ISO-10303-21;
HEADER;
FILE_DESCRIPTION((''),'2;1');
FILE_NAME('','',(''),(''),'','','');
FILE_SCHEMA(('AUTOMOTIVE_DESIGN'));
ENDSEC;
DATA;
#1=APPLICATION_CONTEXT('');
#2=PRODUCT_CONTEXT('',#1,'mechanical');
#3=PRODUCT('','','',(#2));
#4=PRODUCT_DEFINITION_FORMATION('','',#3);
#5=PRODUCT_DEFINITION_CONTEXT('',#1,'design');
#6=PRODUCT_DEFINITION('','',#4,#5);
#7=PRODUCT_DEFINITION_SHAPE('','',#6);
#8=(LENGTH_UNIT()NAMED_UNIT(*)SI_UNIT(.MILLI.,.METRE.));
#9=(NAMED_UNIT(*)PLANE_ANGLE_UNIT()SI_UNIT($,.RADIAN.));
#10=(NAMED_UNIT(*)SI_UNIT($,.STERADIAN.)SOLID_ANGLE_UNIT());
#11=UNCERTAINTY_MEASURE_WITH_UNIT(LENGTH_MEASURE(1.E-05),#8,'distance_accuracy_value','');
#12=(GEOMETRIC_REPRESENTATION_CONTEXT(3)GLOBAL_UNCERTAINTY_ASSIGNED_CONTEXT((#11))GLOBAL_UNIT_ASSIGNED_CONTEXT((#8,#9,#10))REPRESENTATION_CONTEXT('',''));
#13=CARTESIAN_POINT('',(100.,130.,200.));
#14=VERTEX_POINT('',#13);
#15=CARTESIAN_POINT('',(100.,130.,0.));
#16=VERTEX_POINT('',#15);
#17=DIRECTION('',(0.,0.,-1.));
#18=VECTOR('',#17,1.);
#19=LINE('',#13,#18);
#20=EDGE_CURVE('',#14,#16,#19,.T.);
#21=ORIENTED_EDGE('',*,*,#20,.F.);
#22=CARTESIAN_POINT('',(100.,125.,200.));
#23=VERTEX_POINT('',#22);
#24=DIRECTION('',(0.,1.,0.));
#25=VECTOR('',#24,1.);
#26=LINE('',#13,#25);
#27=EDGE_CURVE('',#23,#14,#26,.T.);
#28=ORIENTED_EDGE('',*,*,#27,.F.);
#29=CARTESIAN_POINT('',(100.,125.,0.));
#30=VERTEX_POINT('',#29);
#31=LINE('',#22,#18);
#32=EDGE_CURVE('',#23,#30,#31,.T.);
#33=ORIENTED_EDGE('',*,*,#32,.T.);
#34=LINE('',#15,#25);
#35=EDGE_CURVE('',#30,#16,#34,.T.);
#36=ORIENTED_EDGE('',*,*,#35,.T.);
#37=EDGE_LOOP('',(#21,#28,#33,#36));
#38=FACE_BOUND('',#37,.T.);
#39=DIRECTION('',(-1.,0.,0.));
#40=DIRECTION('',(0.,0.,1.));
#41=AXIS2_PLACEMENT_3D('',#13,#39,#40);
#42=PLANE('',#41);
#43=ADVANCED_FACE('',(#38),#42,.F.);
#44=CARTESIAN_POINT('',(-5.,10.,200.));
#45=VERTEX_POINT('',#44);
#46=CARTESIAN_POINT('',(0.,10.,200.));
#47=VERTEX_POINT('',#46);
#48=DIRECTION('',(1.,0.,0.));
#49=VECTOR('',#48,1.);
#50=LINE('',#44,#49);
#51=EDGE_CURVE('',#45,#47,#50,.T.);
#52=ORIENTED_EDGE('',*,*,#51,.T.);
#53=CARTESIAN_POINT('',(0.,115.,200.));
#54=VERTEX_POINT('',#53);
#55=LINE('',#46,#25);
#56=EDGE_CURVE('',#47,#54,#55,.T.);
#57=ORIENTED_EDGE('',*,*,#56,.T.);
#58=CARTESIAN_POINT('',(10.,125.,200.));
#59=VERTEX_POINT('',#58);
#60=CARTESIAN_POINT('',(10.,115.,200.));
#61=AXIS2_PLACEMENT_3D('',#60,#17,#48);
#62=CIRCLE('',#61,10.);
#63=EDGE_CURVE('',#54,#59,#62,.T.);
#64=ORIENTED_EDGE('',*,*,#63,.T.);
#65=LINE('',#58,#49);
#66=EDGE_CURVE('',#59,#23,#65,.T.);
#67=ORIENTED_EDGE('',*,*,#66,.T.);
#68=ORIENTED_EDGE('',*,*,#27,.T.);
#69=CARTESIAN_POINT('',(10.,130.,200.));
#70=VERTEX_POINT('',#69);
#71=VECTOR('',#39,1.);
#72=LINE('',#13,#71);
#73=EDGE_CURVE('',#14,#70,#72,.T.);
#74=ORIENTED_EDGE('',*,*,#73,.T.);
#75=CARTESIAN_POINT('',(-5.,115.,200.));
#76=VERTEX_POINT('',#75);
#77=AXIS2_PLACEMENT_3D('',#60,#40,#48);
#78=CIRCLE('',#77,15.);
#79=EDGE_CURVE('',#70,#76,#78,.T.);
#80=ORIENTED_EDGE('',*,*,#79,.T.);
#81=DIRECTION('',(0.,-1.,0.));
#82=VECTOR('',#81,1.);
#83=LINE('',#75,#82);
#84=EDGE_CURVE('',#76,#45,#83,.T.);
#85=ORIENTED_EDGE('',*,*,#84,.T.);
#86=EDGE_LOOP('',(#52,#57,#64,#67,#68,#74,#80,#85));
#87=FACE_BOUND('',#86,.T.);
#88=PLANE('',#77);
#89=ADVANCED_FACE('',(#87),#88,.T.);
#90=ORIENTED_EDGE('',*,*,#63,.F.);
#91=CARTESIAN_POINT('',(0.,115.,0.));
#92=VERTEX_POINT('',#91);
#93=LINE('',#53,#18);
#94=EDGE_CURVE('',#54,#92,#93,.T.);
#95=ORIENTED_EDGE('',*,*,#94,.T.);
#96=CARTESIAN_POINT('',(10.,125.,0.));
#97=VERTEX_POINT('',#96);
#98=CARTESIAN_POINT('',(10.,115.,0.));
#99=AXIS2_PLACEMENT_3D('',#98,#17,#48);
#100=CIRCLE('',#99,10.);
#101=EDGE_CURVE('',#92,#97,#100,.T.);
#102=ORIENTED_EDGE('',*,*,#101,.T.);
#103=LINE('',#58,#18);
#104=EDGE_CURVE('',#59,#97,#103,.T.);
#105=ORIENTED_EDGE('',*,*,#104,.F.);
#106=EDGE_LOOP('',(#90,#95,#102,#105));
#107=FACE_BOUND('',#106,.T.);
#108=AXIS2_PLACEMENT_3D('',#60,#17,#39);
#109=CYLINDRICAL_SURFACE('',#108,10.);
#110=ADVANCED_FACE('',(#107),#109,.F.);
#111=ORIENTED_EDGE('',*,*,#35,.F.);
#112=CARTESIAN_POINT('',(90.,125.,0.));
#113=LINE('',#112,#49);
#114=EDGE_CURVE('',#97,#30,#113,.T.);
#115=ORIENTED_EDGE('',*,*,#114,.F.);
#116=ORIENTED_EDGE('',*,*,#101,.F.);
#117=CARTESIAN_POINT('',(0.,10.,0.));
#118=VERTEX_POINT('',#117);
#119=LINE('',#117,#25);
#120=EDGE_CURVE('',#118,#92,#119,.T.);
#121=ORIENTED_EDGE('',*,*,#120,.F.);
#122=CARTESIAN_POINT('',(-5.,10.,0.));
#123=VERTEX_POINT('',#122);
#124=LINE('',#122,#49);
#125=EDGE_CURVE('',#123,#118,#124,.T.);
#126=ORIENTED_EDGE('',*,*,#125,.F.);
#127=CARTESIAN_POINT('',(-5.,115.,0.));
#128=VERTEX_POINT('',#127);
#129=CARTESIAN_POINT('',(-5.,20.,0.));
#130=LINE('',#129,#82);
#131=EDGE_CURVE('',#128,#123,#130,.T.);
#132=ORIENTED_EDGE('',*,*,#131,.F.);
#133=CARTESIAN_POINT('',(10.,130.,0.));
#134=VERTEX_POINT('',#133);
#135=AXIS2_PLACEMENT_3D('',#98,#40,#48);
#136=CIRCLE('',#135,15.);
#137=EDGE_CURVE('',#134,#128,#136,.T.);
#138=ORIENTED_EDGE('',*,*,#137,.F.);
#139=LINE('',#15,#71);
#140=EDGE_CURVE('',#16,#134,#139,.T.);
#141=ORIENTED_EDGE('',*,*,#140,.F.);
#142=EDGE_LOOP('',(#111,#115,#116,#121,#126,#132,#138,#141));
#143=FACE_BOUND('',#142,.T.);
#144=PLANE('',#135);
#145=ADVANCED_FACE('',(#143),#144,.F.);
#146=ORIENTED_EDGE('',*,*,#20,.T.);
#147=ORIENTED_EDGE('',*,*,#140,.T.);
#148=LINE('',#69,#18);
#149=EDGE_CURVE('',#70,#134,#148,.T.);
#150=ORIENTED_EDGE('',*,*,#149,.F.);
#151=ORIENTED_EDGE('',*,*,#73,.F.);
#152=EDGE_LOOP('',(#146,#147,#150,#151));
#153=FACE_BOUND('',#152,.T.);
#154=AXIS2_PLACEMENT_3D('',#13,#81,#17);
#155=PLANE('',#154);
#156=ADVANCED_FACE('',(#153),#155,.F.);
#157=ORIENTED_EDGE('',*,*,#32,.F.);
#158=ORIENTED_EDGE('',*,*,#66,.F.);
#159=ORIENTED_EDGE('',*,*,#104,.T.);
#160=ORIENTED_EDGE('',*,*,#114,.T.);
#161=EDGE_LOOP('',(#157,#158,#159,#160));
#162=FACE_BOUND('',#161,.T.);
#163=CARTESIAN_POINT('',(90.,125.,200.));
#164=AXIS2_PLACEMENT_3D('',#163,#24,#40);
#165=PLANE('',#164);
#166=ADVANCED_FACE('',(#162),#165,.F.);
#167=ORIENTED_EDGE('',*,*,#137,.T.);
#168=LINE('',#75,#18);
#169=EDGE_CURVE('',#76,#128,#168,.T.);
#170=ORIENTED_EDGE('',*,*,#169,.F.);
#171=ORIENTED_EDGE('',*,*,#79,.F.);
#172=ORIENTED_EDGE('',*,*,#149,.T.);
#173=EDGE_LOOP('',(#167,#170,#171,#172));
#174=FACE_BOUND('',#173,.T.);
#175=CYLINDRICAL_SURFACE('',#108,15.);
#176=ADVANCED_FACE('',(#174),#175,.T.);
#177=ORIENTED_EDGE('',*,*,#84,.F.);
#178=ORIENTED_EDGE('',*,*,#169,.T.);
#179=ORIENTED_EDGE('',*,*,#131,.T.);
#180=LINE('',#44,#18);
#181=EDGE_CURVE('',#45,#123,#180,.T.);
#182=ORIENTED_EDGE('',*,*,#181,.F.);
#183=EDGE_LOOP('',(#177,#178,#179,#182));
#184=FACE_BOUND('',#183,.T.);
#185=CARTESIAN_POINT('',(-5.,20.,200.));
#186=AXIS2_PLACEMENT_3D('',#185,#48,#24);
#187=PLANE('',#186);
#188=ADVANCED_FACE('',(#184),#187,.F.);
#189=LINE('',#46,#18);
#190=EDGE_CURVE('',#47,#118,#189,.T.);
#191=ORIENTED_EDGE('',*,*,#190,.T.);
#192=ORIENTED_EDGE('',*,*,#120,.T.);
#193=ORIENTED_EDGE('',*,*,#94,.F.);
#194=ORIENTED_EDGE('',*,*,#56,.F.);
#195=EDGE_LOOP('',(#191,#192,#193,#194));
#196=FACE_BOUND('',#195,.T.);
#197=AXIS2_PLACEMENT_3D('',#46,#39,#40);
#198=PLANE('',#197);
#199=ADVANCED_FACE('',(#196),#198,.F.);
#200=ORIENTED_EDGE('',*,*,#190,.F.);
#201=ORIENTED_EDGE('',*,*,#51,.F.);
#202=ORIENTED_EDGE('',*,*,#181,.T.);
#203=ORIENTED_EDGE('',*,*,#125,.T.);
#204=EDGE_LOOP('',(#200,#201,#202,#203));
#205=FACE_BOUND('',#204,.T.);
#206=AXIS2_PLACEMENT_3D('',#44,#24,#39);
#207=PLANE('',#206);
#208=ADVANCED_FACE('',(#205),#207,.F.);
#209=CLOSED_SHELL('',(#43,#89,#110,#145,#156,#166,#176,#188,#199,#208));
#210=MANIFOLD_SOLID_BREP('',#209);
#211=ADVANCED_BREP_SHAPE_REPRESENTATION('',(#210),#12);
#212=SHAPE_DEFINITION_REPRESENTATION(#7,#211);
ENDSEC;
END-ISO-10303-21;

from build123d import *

# Parameters (mm, degrees)
EXTRUDE_1_DEPTH = 200


with BuildPart() as part:
    # 草图2 → 凸台-拉伸1 (new body)
    with BuildSketch(Plane.XY):
        with BuildLine():
            Line((0, 10), (0, 115))
            ThreePointArc((0, 115), (2.928932188, 122.071067812), (10, 125))
            Line((10, 125), (90, 125))
            Line((90, 125), (100, 125))
            Line((100, 125), (100, 130))
            Line((100, 130), (10, 130))
            ThreePointArc((10, 130), (-0.606601718, 125.606601718), (-5, 115))
            Line((-5, 115), (-5, 20))
            Line((-5, 20), (-5, 10))
            Line((-5, 10), (0, 10))
        make_face()
    extrude(amount=EXTRUDE_1_DEPTH)


solid = part.part
